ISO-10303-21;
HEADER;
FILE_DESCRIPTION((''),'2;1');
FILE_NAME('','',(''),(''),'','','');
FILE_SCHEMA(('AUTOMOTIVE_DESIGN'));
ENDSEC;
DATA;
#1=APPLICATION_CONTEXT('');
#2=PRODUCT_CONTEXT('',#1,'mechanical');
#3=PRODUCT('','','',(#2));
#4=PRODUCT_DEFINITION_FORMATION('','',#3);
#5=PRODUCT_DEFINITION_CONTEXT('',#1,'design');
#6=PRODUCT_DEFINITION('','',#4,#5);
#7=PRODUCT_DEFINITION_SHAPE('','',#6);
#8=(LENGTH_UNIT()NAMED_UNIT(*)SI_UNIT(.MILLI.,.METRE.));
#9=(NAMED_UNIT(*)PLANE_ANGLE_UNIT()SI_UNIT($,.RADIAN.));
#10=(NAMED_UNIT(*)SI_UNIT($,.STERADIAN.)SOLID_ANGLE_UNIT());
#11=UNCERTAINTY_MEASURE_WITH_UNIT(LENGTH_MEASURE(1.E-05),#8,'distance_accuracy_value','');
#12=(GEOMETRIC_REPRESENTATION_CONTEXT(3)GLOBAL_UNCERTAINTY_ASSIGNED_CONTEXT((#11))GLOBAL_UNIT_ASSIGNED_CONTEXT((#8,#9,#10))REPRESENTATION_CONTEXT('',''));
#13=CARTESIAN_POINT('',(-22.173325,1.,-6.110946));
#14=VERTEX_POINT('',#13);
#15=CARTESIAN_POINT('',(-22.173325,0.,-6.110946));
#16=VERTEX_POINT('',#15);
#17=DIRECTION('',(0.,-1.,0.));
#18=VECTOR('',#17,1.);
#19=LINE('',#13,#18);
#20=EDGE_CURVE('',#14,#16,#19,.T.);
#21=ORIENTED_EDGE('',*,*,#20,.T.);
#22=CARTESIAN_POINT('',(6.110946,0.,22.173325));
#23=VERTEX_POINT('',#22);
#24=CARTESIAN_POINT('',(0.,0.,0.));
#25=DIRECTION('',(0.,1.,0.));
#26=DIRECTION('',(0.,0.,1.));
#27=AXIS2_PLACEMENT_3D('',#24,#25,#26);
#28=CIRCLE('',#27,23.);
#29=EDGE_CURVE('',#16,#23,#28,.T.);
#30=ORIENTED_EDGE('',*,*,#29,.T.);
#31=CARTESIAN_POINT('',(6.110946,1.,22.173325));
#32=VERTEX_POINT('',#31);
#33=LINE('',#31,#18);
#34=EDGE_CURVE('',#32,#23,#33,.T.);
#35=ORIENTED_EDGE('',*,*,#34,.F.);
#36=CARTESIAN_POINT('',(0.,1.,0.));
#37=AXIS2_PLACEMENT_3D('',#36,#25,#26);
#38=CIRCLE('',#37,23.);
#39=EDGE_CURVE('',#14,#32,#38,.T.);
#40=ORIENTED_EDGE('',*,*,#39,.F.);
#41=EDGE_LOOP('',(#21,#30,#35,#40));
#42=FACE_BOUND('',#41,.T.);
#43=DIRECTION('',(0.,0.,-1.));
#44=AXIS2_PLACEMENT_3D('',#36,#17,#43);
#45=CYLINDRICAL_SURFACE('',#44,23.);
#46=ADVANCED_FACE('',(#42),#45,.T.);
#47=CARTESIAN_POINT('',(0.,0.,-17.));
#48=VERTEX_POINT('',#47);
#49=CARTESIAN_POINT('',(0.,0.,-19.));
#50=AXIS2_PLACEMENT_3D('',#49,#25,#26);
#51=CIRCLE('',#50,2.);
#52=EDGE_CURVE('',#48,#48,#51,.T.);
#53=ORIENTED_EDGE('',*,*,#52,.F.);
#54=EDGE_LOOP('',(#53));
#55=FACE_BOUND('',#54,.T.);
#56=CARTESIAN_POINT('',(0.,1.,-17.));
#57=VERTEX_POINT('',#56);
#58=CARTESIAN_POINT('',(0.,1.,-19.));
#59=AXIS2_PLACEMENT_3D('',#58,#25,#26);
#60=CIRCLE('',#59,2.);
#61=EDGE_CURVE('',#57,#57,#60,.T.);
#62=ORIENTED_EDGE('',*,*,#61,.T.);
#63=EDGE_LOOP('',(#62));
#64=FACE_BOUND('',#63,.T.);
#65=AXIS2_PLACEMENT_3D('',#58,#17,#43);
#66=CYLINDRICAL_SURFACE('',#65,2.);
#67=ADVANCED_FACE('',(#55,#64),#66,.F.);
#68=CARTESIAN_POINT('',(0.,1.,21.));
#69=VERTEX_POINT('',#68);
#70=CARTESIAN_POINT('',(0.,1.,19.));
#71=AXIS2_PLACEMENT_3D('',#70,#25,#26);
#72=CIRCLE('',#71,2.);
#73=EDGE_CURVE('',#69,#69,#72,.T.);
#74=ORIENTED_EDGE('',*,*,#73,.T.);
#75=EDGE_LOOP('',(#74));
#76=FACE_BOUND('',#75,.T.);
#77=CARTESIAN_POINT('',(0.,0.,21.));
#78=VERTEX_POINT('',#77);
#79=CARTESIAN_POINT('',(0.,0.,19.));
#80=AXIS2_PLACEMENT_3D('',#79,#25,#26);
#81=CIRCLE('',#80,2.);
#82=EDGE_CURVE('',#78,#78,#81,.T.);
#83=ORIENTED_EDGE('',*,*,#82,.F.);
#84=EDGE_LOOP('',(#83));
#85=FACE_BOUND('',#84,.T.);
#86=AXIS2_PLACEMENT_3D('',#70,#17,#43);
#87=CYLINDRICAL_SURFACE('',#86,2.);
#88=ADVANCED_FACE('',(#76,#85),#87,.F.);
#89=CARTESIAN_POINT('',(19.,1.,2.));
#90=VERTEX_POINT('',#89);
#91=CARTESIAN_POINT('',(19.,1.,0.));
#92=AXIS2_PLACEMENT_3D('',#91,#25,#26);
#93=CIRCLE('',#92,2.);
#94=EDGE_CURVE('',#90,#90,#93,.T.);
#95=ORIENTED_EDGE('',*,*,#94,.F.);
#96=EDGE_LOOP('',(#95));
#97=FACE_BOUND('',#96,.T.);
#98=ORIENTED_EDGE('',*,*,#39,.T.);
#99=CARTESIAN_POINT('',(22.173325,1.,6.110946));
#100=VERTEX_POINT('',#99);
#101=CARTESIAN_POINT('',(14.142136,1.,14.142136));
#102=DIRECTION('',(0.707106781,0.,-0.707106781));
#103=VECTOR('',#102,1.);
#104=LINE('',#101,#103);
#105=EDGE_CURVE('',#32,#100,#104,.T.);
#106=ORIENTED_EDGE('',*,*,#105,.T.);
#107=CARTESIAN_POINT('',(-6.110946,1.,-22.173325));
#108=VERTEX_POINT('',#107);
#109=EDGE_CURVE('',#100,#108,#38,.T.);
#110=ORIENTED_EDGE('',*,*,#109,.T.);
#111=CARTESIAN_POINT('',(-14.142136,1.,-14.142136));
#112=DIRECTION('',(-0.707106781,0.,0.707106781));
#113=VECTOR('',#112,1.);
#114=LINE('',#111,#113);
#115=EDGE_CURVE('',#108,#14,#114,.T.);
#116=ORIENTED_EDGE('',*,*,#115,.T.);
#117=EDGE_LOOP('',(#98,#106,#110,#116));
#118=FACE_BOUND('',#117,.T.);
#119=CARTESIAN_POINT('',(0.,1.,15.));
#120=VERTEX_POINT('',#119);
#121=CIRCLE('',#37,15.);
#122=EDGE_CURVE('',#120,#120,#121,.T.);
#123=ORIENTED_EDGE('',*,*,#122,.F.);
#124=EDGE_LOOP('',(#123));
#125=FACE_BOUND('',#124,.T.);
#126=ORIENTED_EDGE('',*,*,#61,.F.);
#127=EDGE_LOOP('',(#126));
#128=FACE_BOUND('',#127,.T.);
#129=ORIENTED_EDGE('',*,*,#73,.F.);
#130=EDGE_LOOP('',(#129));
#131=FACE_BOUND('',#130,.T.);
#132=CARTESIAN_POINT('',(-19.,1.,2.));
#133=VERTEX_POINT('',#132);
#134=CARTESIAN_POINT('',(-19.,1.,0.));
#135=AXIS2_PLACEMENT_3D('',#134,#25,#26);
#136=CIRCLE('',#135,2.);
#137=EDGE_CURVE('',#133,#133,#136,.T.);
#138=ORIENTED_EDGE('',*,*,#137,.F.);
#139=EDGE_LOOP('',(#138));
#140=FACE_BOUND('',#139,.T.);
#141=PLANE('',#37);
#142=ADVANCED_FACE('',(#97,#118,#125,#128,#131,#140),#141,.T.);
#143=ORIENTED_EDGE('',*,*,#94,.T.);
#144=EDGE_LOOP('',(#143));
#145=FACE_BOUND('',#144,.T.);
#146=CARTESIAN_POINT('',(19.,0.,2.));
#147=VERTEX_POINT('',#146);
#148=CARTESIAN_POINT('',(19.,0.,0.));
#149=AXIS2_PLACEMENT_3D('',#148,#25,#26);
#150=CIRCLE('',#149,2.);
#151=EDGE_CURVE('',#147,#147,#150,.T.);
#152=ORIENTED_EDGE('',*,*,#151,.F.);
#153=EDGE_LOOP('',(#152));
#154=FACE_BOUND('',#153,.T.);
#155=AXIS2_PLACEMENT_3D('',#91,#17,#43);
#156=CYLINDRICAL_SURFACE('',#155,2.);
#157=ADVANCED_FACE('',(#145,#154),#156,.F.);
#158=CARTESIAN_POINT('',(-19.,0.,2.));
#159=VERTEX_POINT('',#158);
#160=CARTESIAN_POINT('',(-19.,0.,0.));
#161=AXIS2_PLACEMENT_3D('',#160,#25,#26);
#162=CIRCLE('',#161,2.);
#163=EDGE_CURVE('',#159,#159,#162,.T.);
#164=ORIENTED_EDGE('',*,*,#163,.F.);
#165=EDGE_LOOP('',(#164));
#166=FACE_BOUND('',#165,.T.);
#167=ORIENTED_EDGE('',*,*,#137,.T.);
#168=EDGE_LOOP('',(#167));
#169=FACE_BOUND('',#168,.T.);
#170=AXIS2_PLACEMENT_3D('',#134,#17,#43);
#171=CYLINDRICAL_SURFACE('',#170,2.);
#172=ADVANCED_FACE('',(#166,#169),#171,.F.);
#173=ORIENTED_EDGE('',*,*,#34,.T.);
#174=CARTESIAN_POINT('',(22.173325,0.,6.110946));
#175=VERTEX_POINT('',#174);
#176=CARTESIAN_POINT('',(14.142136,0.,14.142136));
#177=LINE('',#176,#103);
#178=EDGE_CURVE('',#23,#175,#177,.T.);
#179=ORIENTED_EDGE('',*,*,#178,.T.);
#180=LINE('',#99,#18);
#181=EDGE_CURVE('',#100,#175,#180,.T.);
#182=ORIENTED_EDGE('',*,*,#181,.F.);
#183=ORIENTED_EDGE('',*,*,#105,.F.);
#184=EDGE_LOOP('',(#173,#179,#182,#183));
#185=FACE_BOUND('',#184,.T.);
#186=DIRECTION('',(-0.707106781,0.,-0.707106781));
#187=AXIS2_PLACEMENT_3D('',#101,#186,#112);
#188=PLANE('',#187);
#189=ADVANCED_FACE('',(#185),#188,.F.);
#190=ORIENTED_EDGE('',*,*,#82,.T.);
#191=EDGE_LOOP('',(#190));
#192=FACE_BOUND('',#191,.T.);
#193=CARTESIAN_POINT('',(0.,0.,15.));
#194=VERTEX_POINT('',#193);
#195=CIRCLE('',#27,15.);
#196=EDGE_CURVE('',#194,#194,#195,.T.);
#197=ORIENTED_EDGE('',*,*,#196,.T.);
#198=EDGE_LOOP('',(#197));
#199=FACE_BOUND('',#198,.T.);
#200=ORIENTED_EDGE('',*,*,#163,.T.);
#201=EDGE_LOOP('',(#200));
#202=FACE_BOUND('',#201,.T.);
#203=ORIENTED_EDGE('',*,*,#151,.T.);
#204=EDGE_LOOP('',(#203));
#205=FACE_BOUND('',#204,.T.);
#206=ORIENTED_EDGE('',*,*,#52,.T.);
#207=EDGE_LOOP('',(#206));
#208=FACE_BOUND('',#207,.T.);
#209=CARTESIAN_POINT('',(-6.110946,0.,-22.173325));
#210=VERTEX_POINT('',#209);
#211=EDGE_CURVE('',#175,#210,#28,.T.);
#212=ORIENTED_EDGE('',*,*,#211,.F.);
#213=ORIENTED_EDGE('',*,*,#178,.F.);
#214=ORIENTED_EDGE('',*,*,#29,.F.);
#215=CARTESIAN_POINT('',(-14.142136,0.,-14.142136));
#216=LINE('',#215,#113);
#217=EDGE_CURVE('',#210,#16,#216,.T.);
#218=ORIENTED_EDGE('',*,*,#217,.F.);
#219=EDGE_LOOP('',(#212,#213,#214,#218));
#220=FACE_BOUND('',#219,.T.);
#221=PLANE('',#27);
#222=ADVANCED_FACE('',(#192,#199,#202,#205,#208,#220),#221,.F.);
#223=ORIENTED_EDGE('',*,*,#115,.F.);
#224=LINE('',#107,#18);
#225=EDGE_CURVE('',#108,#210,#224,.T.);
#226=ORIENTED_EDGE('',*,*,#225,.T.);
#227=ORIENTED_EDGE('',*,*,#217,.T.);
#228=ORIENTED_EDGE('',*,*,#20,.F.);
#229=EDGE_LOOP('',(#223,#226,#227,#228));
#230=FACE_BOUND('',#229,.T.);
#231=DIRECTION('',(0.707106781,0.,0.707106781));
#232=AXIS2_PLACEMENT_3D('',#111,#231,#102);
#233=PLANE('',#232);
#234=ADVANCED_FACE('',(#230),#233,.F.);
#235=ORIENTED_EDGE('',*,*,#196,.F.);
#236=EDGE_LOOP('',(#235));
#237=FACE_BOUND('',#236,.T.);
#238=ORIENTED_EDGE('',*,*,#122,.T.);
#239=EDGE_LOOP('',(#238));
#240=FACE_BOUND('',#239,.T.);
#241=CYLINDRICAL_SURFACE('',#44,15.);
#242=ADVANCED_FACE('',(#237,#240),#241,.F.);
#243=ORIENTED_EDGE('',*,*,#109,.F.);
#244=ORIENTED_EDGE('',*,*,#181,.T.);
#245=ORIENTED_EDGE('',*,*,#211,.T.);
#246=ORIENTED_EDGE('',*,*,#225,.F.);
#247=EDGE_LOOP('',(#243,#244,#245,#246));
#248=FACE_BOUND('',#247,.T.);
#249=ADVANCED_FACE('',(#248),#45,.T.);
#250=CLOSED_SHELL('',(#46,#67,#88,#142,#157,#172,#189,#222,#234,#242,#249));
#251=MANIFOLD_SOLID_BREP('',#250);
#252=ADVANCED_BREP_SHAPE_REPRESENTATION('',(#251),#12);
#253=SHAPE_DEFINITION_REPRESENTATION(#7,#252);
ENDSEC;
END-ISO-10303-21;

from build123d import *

# Parameters (mm, degrees)
SKETCH2_R           = 2
BOSS_EXTRUDE1_DEPTH = 1


with BuildPart() as part:
    # Sketch2 → Boss-Extrude1 (new body)
    with BuildSketch(Plane(origin=(0, 0, 0), x_dir=(1, 0, 0), z_dir=(0, 1, 0))):
        with BuildLine():
            ThreePointArc((-22.173324826, 6.110946422), (-16.263455967, -16.263455967), (6.110946422, -22.173324826))
            Line((6.110946422, -22.173324826), (22.173324826, -6.110946422))
            ThreePointArc((22.173324826, -6.110946422), (16.263455967, 16.263455967), (-6.110946422, 22.173324826))
            Line((-6.110946422, 22.173324826), (-22.173324826, 6.110946422))
        make_face()
        with BuildLine():
            ThreePointArc((0, 15), (10.606601718, 10.606601718), (15, 0))
            ThreePointArc((15, 0), (10.606601718, -10.606601718), (0, -15))
            ThreePointArc((0, -15), (-10.606601718, -10.606601718), (-15, 0))
            ThreePointArc((-15, 0), (-10.606601718, 10.606601718), (0, 15))
        make_face(mode=Mode.SUBTRACT)
        with Locations((-19, 0)):
            Circle(SKETCH2_R, mode=Mode.SUBTRACT)
        with Locations((0, 19)):
            Circle(SKETCH2_R, mode=Mode.SUBTRACT)
        with Locations((0, -19)):
            Circle(SKETCH2_R, mode=Mode.SUBTRACT)
        with Locations((19, 0)):
            Circle(SKETCH2_R, mode=Mode.SUBTRACT)
    extrude(amount=BOSS_EXTRUDE1_DEPTH)


solid = part.part
